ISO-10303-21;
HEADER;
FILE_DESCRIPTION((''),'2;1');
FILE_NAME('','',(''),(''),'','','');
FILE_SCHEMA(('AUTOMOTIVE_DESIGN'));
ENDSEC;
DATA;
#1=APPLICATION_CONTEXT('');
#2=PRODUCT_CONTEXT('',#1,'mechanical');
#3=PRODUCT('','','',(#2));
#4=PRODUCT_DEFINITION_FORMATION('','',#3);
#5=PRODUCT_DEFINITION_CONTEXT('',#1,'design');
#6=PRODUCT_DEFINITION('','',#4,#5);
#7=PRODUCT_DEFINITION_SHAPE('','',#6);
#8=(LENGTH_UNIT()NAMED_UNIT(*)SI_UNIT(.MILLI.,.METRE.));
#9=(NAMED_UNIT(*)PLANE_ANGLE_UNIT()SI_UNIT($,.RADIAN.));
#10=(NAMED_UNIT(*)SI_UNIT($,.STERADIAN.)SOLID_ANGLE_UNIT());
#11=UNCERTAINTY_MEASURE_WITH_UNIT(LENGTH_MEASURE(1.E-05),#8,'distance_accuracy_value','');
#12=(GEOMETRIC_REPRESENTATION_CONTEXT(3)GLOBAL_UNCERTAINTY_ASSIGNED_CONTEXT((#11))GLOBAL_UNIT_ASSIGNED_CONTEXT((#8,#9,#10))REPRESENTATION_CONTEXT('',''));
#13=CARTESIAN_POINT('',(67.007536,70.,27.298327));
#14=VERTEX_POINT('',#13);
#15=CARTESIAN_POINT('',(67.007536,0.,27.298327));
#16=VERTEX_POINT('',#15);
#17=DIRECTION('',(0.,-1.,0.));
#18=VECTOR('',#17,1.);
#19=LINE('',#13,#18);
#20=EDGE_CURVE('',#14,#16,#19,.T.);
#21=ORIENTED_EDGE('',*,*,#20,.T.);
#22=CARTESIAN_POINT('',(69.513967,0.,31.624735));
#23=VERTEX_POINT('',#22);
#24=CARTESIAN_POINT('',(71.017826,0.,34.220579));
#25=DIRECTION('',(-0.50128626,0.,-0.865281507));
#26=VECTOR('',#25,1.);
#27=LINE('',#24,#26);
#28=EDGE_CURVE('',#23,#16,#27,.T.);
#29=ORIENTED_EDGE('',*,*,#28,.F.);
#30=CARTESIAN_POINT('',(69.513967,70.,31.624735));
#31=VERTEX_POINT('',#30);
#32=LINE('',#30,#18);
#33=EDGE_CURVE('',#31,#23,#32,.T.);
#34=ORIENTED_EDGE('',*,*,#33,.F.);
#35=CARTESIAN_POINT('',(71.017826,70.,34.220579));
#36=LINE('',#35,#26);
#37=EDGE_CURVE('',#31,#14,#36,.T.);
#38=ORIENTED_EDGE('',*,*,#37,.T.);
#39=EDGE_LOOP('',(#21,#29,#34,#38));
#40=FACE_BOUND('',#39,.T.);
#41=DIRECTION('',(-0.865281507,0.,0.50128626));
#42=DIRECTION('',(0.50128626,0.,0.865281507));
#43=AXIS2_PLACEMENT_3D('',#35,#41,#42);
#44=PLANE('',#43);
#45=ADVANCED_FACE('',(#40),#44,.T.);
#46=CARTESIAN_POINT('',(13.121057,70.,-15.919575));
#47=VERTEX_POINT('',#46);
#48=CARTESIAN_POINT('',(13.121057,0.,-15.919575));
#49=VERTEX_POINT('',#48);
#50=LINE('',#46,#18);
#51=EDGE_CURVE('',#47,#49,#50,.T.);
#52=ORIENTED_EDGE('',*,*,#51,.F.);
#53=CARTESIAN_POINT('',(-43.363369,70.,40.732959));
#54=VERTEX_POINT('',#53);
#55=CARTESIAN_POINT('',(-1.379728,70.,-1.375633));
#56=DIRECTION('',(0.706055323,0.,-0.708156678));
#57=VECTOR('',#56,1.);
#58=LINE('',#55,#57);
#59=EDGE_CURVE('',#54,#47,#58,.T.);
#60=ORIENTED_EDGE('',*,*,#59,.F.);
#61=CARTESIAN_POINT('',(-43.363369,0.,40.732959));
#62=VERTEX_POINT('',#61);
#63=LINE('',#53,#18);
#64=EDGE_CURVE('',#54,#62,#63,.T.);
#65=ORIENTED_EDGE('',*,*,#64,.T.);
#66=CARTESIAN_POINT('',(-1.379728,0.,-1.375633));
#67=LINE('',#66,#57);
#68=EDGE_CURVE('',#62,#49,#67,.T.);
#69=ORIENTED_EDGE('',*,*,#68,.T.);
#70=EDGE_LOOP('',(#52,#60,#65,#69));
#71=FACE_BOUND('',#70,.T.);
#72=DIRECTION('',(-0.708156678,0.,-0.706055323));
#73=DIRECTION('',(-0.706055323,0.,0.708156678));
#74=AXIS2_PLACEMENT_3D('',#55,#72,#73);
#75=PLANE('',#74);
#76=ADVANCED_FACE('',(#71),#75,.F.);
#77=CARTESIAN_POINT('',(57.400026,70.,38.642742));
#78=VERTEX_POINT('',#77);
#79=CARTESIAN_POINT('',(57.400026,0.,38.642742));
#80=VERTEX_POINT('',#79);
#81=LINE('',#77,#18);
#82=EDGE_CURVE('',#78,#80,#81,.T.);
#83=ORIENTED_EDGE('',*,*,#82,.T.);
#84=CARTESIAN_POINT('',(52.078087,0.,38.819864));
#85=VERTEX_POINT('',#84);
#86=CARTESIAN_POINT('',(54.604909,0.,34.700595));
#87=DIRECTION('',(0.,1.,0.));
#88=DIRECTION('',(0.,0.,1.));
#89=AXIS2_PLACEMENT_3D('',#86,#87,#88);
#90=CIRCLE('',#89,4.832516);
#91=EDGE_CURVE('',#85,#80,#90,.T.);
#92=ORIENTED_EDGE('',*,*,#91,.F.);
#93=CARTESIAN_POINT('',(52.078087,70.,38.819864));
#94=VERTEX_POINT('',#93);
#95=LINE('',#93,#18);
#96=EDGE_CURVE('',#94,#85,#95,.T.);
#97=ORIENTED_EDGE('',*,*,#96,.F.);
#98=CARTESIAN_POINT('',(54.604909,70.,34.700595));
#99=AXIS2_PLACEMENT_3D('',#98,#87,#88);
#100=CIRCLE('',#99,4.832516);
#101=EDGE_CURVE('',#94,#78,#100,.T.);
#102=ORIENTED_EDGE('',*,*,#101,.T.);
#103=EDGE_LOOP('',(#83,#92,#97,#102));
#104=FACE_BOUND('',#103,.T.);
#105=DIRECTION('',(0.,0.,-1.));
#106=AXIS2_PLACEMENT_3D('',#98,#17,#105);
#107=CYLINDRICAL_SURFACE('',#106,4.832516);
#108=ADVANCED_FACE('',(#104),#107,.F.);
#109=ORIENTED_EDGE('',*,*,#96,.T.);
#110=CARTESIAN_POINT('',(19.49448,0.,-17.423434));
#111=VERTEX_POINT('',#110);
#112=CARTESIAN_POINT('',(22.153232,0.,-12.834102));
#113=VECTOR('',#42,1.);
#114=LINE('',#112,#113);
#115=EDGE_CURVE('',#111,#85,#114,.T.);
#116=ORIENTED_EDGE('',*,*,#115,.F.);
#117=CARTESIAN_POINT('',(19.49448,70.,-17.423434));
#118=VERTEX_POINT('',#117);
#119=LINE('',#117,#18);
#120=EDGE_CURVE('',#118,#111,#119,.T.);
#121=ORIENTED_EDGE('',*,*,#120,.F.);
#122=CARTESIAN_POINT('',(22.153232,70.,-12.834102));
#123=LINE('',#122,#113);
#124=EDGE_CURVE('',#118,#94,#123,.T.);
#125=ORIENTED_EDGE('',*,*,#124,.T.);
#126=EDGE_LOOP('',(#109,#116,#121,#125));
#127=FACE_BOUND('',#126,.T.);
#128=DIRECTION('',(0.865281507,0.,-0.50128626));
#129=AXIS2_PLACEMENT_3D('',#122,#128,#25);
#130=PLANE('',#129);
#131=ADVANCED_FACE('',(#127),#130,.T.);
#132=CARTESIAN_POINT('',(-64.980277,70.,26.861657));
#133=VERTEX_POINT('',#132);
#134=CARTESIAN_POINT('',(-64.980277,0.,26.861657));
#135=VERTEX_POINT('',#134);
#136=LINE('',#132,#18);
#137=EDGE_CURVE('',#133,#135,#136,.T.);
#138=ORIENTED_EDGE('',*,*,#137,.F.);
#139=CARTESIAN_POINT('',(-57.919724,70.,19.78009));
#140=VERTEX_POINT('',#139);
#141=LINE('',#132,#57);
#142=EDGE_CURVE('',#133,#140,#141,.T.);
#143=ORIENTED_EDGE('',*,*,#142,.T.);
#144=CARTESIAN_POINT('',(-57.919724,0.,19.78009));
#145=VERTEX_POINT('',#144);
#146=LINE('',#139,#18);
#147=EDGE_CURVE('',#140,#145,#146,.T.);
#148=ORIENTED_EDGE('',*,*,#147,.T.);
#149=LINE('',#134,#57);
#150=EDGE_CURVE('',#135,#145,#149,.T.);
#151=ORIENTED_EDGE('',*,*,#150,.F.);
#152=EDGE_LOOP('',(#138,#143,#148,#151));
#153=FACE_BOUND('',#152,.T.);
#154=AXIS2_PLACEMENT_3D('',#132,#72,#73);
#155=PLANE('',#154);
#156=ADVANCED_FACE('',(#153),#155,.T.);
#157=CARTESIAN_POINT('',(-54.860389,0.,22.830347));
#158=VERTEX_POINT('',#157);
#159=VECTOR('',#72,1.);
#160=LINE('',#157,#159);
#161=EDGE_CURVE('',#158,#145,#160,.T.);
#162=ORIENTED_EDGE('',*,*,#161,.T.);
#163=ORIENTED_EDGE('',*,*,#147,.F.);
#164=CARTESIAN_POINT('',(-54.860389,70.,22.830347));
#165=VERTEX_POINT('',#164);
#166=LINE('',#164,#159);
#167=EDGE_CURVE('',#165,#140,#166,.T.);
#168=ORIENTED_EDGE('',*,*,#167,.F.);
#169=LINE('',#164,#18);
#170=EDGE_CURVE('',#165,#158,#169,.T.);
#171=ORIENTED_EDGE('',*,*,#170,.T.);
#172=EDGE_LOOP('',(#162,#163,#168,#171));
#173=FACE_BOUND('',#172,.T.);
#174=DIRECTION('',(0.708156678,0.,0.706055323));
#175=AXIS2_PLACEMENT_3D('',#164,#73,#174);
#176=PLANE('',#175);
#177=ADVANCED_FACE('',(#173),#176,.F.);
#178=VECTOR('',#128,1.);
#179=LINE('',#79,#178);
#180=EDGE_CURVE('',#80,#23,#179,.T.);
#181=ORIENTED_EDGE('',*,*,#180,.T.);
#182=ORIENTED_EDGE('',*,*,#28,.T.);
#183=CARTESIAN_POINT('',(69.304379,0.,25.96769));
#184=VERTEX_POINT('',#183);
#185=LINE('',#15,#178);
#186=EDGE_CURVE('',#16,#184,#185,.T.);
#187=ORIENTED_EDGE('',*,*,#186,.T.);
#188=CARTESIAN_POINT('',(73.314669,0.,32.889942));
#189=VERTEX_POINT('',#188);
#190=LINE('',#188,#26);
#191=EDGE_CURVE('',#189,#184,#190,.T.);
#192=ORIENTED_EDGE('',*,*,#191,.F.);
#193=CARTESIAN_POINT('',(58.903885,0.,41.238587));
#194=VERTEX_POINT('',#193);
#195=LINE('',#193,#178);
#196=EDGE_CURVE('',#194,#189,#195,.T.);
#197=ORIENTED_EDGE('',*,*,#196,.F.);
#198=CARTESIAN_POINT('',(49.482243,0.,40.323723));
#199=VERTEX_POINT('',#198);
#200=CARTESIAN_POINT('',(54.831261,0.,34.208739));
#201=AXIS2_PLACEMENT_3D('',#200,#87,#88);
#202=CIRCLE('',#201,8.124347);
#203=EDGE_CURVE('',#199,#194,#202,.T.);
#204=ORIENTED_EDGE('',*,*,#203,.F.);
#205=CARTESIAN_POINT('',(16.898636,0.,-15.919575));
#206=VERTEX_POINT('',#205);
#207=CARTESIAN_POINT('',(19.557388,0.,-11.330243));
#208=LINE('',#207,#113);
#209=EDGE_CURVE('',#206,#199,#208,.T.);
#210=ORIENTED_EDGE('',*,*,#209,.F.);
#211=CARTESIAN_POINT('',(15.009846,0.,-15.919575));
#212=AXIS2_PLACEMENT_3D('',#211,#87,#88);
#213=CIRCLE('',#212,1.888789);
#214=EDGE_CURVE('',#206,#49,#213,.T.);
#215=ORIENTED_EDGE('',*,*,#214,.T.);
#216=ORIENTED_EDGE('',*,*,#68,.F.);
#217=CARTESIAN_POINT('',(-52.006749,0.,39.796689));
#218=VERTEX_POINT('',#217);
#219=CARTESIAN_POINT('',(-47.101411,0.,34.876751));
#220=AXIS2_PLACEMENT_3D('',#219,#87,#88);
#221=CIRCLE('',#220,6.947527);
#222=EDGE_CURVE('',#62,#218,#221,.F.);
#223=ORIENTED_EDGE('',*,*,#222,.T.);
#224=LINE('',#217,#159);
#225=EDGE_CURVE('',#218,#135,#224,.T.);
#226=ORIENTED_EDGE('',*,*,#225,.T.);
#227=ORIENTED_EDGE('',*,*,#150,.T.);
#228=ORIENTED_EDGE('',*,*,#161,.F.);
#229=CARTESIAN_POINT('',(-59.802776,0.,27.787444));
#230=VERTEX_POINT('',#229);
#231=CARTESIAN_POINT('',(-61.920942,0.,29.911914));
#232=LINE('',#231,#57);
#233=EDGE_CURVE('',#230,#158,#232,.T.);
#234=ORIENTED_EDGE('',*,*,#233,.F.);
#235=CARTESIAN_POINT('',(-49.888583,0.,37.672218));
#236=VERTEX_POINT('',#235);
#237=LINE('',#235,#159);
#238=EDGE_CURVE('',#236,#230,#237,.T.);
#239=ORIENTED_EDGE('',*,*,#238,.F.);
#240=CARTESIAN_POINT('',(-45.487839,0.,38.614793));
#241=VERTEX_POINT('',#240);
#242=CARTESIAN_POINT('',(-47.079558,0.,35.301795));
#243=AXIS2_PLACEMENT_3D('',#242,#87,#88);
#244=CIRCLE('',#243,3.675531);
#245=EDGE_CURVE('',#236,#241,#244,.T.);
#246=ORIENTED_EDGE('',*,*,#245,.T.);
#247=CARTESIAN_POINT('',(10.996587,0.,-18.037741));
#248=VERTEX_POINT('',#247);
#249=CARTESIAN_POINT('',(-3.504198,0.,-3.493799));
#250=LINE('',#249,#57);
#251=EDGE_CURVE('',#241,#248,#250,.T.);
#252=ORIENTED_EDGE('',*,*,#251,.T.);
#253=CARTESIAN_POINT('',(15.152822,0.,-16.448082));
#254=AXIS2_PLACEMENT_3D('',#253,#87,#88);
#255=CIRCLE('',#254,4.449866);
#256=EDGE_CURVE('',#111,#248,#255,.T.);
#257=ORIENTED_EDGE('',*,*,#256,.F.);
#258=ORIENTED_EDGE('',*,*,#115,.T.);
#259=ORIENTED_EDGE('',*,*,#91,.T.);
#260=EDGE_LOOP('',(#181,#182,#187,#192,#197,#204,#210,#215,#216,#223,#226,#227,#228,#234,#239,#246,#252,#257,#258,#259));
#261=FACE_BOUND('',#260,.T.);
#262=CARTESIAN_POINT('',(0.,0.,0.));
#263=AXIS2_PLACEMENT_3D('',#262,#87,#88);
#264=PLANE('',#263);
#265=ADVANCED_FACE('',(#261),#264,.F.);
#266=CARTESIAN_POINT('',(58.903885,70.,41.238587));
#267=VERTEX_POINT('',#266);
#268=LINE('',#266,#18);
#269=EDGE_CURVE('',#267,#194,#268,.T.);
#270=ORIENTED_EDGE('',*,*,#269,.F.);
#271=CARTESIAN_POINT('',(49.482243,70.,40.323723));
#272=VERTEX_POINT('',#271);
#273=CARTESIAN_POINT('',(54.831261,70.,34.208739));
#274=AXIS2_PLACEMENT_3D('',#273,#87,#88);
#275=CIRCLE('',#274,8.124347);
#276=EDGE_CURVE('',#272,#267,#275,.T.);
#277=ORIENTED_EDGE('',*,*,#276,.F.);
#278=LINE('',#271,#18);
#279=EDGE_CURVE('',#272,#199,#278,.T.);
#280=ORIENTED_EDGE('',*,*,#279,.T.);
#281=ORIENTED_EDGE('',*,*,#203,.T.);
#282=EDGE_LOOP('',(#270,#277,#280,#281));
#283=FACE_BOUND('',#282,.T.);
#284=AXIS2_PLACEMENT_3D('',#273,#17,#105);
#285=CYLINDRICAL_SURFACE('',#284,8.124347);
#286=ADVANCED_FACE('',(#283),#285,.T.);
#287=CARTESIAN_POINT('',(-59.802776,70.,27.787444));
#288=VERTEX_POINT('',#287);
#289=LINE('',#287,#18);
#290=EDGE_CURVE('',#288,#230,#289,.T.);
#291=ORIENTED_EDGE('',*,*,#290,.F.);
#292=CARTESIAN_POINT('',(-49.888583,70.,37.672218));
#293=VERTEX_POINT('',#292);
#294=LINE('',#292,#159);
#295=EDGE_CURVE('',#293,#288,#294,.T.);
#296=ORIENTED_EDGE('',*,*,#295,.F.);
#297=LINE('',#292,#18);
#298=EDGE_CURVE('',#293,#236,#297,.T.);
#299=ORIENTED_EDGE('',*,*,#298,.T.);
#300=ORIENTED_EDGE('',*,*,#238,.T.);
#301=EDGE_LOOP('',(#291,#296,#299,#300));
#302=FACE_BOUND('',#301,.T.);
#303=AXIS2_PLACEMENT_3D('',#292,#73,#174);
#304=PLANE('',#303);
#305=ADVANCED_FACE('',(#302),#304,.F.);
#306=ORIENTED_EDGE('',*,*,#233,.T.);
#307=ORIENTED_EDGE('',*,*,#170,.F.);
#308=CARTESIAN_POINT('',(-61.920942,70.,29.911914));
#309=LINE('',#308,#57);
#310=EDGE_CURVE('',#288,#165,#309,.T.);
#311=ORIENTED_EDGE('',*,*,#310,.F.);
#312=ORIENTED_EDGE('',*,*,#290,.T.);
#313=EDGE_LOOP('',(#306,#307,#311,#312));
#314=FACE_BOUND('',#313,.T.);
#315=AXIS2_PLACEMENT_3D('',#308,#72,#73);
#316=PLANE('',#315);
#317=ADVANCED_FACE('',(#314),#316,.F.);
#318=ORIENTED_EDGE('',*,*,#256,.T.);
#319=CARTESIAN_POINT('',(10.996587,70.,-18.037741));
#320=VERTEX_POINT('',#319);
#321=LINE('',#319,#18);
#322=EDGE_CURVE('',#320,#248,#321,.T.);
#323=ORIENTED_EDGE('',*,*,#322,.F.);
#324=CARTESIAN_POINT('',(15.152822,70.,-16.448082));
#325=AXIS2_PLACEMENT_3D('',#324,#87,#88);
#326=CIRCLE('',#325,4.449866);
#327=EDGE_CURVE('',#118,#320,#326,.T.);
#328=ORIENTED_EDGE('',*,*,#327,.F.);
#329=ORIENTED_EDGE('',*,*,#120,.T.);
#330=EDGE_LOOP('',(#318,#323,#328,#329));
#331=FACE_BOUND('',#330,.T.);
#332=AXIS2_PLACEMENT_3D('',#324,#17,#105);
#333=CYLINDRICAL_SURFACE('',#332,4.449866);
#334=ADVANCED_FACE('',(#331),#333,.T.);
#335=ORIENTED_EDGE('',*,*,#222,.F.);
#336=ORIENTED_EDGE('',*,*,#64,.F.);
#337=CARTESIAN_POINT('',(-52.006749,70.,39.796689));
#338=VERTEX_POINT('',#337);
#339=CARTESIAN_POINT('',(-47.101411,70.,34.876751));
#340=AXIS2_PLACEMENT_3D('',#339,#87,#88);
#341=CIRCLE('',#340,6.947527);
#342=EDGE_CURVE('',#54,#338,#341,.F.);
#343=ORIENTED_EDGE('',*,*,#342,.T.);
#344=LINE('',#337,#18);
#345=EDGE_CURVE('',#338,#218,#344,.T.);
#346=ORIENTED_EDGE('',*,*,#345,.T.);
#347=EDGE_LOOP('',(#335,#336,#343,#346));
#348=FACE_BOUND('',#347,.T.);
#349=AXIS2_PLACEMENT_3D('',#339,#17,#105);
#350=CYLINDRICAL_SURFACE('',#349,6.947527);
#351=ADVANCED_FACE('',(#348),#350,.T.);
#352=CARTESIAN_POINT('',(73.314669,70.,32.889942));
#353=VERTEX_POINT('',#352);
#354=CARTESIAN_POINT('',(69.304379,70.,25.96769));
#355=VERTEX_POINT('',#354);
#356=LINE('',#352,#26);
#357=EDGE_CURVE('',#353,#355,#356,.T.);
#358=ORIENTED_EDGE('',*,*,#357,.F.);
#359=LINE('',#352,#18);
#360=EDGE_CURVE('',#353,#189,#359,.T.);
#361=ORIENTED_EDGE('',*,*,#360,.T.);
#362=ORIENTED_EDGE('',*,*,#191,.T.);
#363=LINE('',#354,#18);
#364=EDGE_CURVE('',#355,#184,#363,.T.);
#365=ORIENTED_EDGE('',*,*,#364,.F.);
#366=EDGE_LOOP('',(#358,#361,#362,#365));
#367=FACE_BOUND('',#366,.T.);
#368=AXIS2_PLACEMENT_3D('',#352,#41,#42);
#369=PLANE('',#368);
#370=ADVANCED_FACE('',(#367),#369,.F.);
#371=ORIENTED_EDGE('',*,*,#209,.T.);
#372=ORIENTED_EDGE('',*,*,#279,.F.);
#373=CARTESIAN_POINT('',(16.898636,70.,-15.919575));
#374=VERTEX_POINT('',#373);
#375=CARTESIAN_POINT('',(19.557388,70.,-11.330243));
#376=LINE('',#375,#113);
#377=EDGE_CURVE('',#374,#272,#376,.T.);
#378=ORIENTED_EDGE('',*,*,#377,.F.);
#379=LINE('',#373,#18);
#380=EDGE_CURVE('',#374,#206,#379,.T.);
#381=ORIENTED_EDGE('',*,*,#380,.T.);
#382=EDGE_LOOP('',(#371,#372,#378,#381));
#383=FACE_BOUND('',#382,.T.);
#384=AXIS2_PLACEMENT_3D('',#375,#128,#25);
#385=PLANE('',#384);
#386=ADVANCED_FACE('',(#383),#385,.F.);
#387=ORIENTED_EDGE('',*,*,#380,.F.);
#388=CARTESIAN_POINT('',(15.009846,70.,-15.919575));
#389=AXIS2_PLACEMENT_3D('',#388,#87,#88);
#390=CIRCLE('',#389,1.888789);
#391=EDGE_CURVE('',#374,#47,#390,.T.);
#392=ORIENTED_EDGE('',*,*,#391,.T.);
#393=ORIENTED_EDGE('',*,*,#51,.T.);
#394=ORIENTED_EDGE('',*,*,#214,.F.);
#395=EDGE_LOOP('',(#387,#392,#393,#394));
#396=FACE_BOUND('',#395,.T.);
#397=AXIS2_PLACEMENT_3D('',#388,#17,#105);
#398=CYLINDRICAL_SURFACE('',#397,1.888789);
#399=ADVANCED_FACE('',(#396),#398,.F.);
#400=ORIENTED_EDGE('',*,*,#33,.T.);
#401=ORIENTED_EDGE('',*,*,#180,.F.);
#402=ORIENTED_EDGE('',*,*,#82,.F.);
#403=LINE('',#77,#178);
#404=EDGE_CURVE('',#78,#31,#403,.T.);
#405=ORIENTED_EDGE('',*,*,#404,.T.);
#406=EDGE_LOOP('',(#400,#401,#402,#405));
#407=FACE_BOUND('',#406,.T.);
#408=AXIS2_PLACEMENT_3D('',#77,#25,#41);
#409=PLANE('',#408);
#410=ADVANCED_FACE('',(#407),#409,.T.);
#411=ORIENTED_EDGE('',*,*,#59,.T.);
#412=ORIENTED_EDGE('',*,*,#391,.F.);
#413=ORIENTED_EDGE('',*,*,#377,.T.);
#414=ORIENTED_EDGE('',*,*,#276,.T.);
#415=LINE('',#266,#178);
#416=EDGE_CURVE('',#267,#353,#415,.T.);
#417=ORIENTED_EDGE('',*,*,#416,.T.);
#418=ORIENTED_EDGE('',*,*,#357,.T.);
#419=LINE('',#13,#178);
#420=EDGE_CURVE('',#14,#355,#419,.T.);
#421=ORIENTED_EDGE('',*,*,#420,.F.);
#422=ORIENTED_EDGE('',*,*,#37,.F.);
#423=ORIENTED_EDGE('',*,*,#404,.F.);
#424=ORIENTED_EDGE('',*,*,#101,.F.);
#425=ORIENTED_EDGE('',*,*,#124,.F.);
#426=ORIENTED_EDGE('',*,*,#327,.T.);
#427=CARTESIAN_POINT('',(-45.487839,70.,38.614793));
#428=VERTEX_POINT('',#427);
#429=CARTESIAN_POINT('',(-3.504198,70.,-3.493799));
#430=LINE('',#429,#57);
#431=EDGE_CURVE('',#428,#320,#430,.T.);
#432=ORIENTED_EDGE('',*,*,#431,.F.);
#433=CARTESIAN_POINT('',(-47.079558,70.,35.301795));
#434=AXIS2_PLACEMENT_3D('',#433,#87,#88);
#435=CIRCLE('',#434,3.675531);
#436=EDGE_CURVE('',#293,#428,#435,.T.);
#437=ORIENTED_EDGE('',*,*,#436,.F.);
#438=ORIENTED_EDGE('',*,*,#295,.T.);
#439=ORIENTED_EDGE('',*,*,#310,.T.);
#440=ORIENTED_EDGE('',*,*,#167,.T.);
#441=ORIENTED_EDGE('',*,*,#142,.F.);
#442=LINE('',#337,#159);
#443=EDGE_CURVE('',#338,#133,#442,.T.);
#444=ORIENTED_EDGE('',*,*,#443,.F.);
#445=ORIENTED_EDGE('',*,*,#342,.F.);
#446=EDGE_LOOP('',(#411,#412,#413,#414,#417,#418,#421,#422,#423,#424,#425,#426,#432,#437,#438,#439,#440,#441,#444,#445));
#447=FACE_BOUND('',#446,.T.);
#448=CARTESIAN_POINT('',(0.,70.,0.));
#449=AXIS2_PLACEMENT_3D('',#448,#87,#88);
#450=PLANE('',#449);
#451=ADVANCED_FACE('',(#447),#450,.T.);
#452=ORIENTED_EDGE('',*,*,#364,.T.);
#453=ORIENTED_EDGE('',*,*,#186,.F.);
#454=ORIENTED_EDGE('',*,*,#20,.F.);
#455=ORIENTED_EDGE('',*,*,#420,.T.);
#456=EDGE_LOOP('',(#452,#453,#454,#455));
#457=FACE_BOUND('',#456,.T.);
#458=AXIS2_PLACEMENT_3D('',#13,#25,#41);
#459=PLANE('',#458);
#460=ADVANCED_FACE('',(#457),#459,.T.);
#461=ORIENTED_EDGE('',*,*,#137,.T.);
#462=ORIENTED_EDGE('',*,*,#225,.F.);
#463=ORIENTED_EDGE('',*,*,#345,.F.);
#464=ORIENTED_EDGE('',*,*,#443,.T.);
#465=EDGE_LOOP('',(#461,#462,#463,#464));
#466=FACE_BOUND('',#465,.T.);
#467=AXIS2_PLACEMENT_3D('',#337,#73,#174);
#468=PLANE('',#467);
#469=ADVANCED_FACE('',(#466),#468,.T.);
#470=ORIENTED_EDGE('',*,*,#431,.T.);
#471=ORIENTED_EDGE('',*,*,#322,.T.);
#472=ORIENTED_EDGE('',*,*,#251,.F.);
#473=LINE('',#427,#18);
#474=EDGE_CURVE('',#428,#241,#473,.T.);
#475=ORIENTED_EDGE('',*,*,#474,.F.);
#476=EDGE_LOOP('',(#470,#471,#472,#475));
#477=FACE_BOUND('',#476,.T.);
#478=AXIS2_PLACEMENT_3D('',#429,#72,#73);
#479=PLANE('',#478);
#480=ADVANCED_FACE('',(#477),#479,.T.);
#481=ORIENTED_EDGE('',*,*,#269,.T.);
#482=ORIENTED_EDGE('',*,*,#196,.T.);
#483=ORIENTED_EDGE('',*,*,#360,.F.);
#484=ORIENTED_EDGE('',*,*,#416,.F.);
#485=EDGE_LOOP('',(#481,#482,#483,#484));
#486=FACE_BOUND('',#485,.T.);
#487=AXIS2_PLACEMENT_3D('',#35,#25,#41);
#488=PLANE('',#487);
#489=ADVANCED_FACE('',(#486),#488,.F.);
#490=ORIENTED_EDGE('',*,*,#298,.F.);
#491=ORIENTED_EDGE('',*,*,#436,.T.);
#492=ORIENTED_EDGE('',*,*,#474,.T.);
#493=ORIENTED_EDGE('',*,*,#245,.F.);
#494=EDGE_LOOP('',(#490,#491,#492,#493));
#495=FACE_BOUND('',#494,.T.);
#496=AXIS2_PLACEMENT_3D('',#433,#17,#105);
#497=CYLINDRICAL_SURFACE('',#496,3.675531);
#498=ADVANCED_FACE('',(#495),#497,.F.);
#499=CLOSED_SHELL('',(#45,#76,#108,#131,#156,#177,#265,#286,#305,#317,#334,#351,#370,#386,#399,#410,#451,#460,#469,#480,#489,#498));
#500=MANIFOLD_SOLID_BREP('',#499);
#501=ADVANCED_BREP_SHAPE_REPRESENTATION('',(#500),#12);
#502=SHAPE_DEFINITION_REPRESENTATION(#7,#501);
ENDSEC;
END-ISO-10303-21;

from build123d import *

# Parameters (mm, degrees)
EXTRUDE_1_DEPTH = 70


with BuildPart() as part:
    # 草圖1 → 填料-伸長1 (new body)
    with BuildSketch(Plane(origin=(0, 0, 0), x_dir=(1, 0, 0), z_dir=(0, 1, 0))):
        with BuildLine():
            Line((10.996587269, 18.037741282), (-45.487838574, -38.61479297))
            ThreePointArc((-45.487838574, -38.61479297), (-47.84934361, -38.895811815), (-49.888582931, -37.672218494))
            Line((-49.888582931, -37.672218494), (-59.802776425, -27.787443971))
            Line((-59.802776425, -27.787443971), (-54.860389164, -22.830347224))
            Line((-54.860389164, -22.830347224), (-57.919724227, -19.780090306))
            Line((-57.919724227, -19.780090306), (-64.980277457, -26.861657088))
            Line((-64.980277457, -26.861657088), (-52.0067489, -39.796688528))
            ThreePointArc((-52.0067489, -39.796688528), (-47.849605549, -41.783872953), (-43.363368539, -40.732958939))
            Line((-43.363368539, -40.732958939), (13.121057303, 15.919575313))
            ThreePointArc((13.121057303, 15.919575313), (15.009846467, 17.808364477), (16.898635631, 15.919575313))
            Line((16.898635631, 15.919575313), (49.482242531, -40.323722611))
            ThreePointArc((49.482242531, -40.323722611), (54.046060411, -42.29505362), (58.903884757, -41.238586769))
            Line((58.903884757, -41.238586769), (73.314668888, -32.889941818))
            Line((73.314668888, -32.889941818), (69.304378808, -25.967689766))
            Line((69.304378808, -25.967689766), (67.007535769, -27.298327077))
            Line((67.007535769, -27.298327077), (69.513967069, -31.624734609))
            Line((69.513967069, -31.624734609), (57.400025977, -38.642742249))
            ThreePointArc((57.400025977, -38.642742249), (54.765652782, -39.530436118), (52.078087051, -38.819863831))
            Line((52.078087051, -38.819863831), (19.494480151, 17.423434093))
            ThreePointArc((19.494480151, 17.423434093), (15.47366289, 20.886366054), (10.996587269, 18.037741282))
        make_face()
    extrude(amount=EXTRUDE_1_DEPTH)


solid = part.part
